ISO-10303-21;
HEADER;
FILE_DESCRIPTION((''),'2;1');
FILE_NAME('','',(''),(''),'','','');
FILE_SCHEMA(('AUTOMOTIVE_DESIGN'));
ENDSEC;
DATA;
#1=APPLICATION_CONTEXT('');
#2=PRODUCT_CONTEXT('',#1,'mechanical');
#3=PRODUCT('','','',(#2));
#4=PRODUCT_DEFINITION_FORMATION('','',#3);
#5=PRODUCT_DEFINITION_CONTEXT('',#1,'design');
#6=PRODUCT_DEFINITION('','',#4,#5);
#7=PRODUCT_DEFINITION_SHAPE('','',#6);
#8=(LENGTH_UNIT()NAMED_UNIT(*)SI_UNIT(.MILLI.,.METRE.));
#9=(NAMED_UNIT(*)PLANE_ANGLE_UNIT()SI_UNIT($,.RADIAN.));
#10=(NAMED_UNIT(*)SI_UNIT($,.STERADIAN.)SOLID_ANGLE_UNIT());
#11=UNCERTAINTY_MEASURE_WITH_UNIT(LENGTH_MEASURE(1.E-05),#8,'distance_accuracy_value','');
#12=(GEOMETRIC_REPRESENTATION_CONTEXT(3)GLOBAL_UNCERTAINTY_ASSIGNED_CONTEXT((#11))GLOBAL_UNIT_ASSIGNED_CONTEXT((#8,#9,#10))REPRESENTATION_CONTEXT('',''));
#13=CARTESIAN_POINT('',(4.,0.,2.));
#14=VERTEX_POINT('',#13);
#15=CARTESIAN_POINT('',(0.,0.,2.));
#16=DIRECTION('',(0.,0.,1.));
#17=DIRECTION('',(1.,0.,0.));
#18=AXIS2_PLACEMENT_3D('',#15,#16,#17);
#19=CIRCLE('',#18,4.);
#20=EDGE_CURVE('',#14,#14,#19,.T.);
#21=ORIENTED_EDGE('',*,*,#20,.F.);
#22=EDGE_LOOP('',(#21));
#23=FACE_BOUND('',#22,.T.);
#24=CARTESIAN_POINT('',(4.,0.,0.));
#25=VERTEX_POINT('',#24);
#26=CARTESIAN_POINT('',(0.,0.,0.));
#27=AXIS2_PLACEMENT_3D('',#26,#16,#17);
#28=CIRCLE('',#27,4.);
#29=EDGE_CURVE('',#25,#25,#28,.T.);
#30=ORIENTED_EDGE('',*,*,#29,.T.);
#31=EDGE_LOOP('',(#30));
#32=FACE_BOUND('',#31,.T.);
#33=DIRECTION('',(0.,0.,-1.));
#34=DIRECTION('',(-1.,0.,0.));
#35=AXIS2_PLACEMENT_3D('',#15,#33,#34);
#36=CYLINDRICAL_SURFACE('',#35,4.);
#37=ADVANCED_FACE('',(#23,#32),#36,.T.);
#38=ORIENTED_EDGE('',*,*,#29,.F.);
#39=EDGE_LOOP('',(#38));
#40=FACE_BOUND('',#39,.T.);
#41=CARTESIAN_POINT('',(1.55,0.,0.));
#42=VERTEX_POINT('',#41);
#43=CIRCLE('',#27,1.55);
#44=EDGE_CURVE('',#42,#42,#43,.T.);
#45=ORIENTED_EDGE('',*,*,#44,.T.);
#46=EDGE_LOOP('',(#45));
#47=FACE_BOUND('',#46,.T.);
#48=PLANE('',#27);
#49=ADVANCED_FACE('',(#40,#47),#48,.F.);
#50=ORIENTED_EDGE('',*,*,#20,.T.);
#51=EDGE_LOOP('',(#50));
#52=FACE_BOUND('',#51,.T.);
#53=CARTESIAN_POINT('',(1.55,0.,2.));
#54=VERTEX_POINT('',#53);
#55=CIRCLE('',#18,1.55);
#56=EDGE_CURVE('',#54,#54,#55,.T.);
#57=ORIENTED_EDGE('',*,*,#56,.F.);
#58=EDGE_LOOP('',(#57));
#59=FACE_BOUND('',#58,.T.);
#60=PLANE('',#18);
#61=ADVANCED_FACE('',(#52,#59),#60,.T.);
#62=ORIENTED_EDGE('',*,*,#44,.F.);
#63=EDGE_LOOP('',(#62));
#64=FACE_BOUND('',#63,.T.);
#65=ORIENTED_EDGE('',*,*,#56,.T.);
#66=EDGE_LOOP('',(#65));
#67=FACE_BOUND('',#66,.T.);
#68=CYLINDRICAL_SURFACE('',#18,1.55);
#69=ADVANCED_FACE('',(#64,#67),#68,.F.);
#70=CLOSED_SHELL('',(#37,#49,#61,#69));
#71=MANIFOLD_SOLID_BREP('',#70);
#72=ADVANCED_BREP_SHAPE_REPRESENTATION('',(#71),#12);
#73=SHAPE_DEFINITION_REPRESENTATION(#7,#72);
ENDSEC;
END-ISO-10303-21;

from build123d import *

# Parameters (mm, degrees)
SKETCH1_R              = 4
BOSS_EXTRUDE1_DEPTH    = 2
M2_5_CLEARANCE_HOLE1_D = 3.1


with BuildPart() as part:
    # Sketch1 → Boss-Extrude1 (new body)
    with BuildSketch(Plane.XY):
        Circle(SKETCH1_R)
    extrude(amount=BOSS_EXTRUDE1_DEPTH)

    # M2.5 Clearance Hole1 (through all)
    with Locations(Plane.XY.offset(2)):
        with Locations((0, 0)):
            Hole(M2_5_CLEARANCE_HOLE1_D / 2)


solid = part.part
